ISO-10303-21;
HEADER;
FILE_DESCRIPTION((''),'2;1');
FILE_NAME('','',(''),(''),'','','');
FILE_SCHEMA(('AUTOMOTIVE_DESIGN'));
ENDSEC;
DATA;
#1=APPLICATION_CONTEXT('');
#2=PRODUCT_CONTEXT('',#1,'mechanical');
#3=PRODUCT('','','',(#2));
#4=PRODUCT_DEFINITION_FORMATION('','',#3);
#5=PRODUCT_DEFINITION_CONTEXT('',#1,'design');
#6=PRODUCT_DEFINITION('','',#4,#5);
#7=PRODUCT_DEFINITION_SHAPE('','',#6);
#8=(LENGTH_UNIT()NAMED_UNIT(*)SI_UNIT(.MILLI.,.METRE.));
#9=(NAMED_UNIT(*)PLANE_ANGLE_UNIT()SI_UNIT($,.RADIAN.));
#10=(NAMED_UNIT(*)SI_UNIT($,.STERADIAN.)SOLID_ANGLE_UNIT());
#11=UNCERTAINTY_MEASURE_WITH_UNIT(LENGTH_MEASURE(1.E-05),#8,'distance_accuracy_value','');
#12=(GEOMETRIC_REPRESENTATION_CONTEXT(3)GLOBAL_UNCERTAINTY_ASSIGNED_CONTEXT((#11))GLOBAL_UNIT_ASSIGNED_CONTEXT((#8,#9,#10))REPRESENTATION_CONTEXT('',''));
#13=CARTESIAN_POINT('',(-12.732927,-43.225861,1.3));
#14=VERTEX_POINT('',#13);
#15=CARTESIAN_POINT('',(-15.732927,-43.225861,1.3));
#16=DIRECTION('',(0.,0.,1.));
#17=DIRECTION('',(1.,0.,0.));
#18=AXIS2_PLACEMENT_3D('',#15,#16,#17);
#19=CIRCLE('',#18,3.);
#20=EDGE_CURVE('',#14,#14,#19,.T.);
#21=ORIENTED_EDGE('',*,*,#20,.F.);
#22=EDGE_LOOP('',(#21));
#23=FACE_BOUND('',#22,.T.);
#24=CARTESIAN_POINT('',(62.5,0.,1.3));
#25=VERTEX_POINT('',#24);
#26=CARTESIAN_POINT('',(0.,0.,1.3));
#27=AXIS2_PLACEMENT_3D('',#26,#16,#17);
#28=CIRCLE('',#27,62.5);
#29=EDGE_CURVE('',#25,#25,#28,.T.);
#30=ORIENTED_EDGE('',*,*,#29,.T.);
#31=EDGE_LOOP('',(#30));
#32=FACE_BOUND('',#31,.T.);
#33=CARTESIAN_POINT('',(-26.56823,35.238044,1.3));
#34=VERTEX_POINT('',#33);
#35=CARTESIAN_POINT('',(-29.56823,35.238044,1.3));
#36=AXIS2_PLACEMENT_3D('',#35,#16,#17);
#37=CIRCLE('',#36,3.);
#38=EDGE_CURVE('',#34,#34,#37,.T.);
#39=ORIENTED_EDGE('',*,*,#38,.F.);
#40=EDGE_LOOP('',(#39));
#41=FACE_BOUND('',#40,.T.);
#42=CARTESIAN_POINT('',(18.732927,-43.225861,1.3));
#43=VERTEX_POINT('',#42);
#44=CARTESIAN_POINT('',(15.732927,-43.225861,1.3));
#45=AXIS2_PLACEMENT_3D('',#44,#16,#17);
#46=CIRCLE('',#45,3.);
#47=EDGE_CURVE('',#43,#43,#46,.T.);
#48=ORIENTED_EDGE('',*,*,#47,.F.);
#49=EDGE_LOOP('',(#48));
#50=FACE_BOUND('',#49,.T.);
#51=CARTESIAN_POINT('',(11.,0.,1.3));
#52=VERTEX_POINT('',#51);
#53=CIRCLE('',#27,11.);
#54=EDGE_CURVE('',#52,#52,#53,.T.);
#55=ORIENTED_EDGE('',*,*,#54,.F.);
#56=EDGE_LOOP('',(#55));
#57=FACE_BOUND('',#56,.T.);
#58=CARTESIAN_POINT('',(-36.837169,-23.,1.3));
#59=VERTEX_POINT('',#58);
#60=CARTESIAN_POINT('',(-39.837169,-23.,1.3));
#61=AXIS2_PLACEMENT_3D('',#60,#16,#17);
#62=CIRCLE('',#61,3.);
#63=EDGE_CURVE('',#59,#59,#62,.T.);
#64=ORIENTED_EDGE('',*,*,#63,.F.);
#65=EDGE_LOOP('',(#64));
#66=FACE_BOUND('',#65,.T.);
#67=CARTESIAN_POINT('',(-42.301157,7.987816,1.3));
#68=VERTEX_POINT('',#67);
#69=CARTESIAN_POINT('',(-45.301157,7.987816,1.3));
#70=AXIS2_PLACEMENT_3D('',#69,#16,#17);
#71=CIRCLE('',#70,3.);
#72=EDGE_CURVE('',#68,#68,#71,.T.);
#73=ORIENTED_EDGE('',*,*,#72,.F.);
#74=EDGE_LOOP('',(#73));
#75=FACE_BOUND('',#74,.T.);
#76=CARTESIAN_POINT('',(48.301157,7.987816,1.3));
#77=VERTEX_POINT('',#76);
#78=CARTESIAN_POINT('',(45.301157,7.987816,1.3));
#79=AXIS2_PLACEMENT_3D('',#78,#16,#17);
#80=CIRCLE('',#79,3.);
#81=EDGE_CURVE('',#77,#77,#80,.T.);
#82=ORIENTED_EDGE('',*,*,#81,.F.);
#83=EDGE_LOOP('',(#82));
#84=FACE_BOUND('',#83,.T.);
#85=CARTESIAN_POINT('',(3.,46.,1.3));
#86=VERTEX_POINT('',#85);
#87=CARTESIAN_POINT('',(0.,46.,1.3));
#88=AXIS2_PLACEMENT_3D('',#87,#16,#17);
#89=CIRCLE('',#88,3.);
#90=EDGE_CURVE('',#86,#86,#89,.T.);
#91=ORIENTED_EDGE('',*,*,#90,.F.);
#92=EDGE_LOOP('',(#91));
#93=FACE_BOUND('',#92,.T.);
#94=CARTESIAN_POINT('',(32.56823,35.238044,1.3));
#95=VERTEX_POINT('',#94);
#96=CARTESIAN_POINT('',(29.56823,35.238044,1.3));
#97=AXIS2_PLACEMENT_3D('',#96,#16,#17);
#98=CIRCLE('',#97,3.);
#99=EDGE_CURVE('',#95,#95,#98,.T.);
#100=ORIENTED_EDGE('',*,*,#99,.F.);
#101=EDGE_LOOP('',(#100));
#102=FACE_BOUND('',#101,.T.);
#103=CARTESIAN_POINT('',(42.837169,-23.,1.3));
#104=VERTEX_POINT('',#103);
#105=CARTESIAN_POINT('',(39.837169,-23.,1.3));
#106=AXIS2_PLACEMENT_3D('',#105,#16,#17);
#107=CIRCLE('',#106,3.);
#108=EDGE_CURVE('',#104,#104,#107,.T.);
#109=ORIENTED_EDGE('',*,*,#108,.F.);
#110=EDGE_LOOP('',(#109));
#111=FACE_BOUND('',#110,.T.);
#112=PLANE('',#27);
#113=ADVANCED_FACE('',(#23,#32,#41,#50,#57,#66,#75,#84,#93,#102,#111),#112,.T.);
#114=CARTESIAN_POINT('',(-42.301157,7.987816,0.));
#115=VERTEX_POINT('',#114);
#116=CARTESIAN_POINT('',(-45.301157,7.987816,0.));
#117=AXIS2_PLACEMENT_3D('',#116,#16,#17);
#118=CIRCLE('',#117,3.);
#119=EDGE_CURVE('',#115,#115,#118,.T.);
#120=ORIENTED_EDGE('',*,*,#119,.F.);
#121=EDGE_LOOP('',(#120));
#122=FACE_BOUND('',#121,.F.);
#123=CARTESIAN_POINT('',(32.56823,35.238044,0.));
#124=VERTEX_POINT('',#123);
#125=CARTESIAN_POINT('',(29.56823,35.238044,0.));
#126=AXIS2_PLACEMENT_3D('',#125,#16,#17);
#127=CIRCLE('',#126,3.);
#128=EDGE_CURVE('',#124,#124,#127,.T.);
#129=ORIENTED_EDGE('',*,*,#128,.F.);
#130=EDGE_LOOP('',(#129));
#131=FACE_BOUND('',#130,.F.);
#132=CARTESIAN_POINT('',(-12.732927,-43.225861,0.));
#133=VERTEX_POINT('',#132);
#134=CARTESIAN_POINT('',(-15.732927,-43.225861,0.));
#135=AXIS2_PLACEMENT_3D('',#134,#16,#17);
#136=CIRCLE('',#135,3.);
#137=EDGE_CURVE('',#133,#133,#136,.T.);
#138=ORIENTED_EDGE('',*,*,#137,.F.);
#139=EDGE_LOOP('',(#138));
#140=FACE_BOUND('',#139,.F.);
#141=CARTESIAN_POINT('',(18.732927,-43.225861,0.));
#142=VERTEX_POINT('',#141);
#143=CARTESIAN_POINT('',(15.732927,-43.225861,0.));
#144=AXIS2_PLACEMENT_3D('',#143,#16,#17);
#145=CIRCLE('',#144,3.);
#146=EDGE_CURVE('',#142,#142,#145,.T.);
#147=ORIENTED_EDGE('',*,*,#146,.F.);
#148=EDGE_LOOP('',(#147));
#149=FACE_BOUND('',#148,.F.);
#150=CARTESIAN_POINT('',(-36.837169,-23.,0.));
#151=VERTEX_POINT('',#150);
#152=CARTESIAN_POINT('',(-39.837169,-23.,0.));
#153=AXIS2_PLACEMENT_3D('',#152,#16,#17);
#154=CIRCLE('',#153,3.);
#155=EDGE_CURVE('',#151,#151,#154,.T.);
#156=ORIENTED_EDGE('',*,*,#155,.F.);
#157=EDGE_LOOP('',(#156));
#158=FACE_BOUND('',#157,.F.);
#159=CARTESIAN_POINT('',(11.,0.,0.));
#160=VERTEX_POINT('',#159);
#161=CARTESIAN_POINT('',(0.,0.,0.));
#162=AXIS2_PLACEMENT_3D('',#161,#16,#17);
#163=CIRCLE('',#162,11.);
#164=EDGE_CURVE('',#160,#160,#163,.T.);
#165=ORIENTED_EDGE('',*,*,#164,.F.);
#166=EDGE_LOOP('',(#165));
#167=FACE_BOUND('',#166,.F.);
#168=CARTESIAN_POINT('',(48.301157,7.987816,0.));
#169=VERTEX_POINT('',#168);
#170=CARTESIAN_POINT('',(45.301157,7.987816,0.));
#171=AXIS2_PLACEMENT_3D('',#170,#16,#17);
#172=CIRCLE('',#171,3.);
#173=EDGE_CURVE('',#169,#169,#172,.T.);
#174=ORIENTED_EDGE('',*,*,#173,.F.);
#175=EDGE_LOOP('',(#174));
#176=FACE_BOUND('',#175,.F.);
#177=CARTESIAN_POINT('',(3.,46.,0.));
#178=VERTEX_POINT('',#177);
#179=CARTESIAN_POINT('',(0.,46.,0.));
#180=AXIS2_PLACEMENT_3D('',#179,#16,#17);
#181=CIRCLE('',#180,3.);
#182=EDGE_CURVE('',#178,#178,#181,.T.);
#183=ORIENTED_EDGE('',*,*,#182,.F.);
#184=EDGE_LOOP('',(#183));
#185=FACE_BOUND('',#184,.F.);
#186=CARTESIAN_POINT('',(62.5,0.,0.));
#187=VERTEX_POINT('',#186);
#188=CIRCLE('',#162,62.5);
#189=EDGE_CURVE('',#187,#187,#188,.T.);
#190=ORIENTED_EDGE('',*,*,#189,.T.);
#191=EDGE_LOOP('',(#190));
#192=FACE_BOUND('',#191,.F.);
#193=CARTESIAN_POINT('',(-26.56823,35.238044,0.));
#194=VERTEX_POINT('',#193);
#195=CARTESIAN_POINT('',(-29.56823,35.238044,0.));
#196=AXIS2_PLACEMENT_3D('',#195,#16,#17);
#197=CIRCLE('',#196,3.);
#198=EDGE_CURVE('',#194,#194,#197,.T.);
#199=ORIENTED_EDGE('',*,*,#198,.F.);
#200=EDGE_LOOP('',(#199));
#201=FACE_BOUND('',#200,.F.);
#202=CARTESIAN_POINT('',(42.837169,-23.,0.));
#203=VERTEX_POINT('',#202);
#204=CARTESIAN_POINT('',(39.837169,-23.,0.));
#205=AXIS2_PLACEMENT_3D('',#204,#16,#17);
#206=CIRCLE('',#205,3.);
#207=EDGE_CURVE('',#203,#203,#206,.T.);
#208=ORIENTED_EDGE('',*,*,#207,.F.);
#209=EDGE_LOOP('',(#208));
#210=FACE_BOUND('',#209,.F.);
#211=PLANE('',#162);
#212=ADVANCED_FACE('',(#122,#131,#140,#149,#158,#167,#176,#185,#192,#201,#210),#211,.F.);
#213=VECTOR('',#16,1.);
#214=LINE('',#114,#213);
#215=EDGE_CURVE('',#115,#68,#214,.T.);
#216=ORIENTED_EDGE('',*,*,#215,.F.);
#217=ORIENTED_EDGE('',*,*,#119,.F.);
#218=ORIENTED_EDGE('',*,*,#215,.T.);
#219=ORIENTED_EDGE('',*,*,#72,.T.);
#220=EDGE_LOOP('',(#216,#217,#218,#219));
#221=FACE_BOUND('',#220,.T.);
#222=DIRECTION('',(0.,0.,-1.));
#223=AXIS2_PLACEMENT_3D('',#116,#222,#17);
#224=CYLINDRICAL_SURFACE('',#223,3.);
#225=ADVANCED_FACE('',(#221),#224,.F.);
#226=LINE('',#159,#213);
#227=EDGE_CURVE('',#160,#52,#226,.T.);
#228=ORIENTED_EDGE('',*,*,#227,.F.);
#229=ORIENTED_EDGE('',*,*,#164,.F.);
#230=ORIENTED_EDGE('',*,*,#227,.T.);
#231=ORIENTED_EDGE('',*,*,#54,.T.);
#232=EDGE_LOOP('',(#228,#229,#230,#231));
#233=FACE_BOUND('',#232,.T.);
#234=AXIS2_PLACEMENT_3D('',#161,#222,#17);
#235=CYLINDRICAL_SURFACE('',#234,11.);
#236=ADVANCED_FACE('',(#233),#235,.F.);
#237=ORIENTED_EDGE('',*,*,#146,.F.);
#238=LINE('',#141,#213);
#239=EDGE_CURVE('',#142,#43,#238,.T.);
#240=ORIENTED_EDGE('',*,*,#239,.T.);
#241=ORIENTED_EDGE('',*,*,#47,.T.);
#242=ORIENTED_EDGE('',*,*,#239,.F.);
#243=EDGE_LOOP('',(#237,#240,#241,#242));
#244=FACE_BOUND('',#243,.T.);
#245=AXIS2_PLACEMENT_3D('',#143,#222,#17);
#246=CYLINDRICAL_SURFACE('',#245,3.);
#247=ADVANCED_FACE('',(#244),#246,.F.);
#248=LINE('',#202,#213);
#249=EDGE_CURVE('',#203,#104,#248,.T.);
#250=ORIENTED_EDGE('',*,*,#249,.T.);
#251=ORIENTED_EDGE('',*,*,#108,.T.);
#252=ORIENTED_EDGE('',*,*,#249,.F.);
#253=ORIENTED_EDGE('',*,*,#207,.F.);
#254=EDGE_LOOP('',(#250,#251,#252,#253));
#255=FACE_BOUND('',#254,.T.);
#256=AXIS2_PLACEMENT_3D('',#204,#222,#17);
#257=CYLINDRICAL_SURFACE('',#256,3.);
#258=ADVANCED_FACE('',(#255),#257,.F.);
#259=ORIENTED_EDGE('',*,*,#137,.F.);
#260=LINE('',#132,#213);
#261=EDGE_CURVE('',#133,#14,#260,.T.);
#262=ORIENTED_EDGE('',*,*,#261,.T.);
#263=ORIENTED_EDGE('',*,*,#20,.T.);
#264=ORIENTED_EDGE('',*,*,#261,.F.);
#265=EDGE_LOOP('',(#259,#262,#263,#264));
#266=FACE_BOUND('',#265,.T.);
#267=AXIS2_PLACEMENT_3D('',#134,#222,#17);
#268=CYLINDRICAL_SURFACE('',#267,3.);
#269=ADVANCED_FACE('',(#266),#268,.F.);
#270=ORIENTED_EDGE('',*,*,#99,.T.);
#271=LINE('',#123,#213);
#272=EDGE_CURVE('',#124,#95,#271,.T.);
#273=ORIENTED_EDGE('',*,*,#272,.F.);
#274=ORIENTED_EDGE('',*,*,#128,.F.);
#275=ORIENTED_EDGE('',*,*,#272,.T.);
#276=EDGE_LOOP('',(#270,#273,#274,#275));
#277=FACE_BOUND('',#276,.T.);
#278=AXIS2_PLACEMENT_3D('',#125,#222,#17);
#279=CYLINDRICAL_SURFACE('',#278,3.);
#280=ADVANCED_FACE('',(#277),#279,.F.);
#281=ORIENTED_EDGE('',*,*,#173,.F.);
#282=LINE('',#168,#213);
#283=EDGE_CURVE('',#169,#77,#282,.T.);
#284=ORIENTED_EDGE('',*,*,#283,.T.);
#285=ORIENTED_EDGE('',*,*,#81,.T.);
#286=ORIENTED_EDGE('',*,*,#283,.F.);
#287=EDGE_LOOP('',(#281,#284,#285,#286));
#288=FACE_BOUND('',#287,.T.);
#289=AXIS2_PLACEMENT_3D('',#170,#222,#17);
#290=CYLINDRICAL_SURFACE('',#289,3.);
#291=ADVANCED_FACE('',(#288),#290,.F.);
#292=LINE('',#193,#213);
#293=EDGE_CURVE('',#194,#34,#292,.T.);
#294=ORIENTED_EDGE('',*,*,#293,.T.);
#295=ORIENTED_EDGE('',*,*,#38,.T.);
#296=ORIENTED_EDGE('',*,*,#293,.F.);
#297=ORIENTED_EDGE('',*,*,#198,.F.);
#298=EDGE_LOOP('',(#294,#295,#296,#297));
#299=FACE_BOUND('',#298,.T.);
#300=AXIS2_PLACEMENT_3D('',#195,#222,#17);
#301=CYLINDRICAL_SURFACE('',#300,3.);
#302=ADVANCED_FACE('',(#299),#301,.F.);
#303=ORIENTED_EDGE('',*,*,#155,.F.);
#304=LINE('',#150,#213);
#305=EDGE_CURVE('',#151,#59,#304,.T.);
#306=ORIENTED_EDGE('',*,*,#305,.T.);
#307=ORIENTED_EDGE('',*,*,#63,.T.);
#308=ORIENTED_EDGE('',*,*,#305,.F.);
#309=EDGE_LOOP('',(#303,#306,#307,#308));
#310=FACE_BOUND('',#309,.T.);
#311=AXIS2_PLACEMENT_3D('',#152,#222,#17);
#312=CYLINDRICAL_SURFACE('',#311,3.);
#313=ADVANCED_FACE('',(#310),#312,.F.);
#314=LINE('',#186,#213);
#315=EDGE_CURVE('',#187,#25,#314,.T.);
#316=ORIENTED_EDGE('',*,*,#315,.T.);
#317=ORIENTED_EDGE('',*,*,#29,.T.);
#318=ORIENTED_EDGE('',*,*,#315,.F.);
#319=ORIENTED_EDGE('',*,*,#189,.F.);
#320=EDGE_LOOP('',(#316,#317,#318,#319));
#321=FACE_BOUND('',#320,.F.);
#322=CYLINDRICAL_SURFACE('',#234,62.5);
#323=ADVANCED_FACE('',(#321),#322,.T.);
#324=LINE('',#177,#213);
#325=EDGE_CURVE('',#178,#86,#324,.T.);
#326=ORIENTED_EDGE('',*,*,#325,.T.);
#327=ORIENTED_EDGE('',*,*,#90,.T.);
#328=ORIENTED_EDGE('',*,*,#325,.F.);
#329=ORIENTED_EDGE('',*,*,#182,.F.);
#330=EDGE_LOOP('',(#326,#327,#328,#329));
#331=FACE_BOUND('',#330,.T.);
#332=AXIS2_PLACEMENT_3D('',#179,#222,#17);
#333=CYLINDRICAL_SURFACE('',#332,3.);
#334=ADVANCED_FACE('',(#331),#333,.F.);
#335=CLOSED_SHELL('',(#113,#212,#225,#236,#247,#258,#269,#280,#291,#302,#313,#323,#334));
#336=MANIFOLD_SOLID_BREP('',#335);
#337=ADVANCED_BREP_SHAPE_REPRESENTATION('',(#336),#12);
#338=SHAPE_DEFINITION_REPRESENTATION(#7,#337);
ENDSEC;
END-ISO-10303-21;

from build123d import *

# Parameters (mm, degrees)
SKETCH_R   = 62.5
SKETCH_R_2 = 11
SKETCH_R_3 = 3
PAD_DEPTH  = 1.3


with BuildPart() as part:
    # Sketch → Pad (new body)
    with BuildSketch(Plane.XY):
        Circle(SKETCH_R)
        Circle(SKETCH_R_2, mode=Mode.SUBTRACT)
        with Locations((0, 46)):
            Circle(SKETCH_R_3, mode=Mode.SUBTRACT)
        with Locations((29.56823, 35.238044)):
            Circle(SKETCH_R_3, mode=Mode.SUBTRACT)
        with Locations((45.301157, 7.987816)):
            Circle(SKETCH_R_3, mode=Mode.SUBTRACT)
        with Locations((39.837169, -23)):
            Circle(SKETCH_R_3, mode=Mode.SUBTRACT)
        with Locations((15.732927, -43.225861)):
            Circle(SKETCH_R_3, mode=Mode.SUBTRACT)
        with Locations((-15.732927, -43.225861)):
            Circle(SKETCH_R_3, mode=Mode.SUBTRACT)
        with Locations((-39.837169, -23)):
            Circle(SKETCH_R_3, mode=Mode.SUBTRACT)
        with Locations((-45.301157, 7.987816)):
            Circle(SKETCH_R_3, mode=Mode.SUBTRACT)
        with Locations((-29.56823, 35.238044)):
            Circle(SKETCH_R_3, mode=Mode.SUBTRACT)
    extrude(amount=PAD_DEPTH)


solid = part.part
